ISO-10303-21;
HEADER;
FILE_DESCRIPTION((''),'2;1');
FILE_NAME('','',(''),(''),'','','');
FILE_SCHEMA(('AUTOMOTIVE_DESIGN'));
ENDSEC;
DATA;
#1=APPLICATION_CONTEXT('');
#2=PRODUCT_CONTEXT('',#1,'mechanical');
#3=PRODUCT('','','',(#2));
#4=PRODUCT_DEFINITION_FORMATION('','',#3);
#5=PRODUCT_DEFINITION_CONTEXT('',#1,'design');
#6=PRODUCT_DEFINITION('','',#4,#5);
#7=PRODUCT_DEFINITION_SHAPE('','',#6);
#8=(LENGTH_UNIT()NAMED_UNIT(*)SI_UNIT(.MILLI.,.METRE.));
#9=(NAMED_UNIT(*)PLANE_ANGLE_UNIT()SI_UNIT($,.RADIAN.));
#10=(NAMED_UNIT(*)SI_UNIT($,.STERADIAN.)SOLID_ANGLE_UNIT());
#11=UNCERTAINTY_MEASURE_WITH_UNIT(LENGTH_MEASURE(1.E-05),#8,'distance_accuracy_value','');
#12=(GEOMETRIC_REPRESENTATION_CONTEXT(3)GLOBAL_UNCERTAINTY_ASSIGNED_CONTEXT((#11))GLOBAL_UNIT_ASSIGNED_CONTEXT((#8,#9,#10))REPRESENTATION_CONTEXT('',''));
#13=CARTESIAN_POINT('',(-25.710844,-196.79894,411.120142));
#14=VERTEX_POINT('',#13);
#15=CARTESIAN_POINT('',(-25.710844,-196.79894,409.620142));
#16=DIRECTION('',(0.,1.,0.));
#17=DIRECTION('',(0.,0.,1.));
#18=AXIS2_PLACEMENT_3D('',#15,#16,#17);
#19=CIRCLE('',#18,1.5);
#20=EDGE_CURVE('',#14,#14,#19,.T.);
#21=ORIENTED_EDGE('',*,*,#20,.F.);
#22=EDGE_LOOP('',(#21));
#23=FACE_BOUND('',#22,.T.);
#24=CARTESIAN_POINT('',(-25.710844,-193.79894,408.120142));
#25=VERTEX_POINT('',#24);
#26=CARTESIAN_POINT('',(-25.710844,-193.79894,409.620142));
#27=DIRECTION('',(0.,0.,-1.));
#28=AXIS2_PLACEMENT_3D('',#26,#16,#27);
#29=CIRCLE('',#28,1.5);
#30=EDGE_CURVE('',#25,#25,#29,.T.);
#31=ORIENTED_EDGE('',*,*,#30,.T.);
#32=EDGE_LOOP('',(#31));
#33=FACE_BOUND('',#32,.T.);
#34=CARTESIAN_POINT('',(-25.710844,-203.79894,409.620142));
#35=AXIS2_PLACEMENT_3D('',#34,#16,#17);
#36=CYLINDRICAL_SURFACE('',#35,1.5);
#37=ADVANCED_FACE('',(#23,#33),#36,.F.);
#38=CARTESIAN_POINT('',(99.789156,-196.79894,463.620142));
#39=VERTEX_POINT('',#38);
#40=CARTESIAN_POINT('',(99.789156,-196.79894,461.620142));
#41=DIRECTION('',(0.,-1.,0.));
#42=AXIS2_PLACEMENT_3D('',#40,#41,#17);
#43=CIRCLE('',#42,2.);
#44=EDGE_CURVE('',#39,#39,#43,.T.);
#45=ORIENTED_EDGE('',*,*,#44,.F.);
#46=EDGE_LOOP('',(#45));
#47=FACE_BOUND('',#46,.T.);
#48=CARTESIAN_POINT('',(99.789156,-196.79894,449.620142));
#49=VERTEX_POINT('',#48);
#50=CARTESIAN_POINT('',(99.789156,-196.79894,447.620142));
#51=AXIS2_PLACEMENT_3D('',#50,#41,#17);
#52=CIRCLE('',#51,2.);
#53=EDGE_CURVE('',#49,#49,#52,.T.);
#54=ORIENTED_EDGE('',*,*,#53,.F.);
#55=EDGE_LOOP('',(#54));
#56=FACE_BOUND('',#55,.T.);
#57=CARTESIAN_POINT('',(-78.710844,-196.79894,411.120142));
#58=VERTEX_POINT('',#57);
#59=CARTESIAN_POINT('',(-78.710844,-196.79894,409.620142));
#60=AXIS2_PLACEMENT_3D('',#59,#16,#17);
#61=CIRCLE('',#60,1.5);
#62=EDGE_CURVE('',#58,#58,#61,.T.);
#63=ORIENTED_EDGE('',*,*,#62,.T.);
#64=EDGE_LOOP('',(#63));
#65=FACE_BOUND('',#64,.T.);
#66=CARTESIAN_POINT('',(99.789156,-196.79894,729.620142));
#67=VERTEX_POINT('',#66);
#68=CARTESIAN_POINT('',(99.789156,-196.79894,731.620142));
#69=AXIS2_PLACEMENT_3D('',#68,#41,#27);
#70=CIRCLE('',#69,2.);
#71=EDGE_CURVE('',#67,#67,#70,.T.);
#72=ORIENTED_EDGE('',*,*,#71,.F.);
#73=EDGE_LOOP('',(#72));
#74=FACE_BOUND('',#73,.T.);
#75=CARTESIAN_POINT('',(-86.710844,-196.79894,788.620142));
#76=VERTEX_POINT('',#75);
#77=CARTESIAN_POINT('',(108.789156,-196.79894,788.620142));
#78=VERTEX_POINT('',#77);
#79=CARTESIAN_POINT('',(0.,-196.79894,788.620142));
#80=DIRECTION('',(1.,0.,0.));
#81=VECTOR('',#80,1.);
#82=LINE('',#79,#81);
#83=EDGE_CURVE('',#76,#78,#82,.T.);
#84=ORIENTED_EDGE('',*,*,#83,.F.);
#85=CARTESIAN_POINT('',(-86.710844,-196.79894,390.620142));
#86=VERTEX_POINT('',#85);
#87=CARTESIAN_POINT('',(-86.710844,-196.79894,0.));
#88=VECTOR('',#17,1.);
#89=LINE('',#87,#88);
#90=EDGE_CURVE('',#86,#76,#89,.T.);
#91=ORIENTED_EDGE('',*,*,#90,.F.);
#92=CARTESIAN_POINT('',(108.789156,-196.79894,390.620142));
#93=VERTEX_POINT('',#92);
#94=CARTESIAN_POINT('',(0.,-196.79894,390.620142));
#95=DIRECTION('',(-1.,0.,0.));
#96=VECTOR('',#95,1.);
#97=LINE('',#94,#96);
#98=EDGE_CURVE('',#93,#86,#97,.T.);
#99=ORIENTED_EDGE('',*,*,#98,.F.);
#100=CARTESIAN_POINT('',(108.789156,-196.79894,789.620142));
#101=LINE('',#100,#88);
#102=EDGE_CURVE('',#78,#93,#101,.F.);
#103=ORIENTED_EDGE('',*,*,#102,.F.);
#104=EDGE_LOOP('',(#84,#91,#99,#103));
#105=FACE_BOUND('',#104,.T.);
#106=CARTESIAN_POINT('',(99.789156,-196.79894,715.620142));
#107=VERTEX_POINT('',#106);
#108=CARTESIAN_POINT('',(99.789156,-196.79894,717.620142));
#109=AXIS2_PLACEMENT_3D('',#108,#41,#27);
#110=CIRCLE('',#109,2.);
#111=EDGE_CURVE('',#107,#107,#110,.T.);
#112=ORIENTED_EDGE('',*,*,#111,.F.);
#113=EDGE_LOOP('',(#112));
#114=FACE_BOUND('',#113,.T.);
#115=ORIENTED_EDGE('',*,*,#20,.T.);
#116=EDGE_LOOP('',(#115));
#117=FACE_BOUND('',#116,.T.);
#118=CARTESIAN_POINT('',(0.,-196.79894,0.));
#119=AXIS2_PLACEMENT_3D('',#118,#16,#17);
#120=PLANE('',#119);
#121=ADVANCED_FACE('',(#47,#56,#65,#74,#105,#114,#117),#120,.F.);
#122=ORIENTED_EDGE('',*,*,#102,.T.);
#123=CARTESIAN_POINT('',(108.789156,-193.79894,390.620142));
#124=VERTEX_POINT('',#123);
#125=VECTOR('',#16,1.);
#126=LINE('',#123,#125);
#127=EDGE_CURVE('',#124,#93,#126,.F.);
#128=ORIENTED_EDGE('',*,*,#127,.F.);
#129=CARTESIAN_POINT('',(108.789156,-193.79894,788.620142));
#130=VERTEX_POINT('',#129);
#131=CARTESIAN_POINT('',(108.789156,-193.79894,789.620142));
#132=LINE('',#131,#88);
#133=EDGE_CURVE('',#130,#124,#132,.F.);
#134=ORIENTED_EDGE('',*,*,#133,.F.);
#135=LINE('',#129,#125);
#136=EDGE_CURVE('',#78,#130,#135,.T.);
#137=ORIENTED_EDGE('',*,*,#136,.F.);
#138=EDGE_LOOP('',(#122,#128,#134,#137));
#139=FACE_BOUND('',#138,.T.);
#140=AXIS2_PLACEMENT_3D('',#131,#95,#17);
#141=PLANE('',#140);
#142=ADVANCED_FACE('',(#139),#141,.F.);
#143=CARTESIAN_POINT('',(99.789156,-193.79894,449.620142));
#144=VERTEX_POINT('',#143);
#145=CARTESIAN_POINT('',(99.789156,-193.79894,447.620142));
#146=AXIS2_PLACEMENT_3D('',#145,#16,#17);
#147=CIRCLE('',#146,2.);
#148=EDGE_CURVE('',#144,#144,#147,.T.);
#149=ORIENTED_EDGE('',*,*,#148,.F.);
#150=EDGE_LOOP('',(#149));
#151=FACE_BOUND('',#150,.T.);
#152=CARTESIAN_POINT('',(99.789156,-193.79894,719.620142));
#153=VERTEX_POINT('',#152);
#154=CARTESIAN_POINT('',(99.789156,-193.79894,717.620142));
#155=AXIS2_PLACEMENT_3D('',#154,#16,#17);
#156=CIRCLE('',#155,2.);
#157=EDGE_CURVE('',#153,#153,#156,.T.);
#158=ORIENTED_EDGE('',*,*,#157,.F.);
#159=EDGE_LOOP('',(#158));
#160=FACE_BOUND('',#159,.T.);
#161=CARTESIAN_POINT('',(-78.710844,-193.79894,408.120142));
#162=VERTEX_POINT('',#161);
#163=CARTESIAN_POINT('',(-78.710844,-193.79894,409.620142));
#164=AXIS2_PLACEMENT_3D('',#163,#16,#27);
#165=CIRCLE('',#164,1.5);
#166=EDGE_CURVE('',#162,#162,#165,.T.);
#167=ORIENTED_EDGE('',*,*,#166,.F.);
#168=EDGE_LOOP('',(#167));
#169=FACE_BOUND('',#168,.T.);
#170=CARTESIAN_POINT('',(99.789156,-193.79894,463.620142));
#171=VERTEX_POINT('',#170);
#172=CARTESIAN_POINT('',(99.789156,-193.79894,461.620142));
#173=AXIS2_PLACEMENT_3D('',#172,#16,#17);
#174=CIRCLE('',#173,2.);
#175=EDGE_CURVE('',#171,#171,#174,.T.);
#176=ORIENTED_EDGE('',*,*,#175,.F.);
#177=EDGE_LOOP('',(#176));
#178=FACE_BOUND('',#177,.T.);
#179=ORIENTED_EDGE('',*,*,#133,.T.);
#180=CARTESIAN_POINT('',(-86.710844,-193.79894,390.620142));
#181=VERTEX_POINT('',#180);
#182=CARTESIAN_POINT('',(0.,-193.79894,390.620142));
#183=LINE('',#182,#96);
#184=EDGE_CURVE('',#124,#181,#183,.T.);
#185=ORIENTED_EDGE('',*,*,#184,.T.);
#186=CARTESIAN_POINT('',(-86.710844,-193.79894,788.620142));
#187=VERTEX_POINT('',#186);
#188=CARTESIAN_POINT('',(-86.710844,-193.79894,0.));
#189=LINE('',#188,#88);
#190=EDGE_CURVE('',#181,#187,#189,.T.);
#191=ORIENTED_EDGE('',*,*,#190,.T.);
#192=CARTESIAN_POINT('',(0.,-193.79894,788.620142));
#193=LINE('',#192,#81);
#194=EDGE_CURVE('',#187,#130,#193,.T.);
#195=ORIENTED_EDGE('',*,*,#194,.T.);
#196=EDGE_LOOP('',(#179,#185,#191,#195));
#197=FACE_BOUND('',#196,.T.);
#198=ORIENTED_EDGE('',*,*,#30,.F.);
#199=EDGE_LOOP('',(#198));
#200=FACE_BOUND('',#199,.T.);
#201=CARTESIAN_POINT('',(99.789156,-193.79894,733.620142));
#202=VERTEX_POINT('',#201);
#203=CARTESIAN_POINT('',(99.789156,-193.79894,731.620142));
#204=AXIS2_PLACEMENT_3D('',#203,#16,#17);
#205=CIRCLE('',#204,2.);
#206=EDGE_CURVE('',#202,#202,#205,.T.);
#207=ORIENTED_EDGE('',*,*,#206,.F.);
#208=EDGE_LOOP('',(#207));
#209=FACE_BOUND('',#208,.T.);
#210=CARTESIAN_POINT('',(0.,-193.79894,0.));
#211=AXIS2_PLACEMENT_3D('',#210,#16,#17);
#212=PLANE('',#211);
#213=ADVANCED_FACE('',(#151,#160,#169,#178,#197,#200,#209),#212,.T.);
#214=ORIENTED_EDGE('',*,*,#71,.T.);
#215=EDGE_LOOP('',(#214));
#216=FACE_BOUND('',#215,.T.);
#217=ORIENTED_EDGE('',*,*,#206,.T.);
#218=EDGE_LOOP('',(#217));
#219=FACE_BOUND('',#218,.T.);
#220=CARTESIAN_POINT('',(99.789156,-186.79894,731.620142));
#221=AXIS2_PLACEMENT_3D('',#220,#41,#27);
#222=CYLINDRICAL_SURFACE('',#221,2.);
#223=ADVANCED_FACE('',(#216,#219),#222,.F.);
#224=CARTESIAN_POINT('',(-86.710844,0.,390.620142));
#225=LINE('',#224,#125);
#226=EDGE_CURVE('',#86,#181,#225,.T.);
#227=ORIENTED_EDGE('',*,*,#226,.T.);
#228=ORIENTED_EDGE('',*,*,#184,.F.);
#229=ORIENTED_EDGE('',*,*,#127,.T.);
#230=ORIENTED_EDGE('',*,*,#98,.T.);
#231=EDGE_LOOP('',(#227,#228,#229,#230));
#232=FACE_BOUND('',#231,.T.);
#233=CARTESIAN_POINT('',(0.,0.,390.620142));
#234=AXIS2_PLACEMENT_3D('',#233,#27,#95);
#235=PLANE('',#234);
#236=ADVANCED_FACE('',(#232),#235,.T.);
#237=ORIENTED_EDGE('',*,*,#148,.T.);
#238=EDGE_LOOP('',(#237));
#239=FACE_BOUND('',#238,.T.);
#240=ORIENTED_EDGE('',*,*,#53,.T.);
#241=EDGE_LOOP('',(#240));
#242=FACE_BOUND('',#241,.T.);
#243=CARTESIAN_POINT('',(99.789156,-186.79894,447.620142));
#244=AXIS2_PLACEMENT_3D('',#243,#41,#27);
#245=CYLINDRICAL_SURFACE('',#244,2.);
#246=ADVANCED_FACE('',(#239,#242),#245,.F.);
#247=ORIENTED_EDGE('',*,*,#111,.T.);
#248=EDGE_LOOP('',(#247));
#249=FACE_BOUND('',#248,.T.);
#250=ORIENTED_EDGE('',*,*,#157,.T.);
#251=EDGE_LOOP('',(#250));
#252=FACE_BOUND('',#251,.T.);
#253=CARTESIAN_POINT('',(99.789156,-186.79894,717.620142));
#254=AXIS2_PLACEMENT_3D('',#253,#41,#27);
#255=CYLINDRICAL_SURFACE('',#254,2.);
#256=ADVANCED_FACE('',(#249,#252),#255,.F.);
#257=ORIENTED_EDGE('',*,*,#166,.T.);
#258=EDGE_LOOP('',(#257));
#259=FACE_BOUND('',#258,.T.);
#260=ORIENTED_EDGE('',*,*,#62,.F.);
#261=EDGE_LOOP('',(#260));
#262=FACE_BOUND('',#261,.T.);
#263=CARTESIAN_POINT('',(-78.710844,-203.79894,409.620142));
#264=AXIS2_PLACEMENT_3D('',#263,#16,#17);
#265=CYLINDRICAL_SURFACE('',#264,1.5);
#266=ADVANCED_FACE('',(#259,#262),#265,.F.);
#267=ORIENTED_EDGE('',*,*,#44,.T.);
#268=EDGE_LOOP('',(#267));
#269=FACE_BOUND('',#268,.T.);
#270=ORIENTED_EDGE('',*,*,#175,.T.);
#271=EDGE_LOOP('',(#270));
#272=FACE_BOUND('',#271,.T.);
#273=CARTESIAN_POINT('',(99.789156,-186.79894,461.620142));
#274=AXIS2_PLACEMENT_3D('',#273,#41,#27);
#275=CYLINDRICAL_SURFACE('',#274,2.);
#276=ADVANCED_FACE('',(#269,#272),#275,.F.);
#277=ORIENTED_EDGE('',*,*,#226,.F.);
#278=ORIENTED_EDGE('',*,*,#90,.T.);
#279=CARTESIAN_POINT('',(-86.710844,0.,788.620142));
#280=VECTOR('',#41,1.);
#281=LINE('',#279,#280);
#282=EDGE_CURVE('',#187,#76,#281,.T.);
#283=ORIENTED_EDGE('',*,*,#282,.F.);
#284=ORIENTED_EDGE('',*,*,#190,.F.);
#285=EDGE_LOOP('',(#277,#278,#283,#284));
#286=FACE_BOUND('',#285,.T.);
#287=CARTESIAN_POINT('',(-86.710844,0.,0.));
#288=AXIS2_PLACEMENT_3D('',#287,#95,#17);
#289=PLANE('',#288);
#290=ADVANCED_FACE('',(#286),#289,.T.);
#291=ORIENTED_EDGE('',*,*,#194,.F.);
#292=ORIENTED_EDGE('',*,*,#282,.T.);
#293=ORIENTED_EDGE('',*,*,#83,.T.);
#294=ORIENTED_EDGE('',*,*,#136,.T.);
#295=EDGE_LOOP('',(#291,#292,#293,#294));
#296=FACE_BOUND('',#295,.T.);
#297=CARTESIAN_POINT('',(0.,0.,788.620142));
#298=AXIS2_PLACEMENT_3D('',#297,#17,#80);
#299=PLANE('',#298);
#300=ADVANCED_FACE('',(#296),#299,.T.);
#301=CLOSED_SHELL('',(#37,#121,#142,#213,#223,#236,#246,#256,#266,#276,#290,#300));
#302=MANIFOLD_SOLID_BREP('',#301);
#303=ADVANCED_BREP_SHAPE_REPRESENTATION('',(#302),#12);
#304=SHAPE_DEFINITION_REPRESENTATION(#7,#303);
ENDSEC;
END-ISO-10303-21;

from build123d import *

# Parameters (mm, degrees)
SKETCH1_W           = 193
SKETCH1_H           = 400
BOSS_EXTRUDE1_DEPTH = 3
SKETCH2_R           = 1.5
CUT_EXTRUDE1_DEPTH  = 10
SKETCH3_R           = 2
CUT_EXTRUDE2_DEPTH  = 10
SKETCH4_W           = 248.590702278
SKETCH4_H           = 43.310012617
CUT_EXTRUDE3_DEPTH  = 1
SKETCH5_W           = 316.199587927
SKETCH5_H           = 81.961296772
CUT_EXTRUDE4_DEPTH  = 1
THICKEN1_T1         = 3
SKETCH6_W           = 457.051709452
SKETCH6_H           = 116.920204743
CUT_EXTRUDE5_DEPTH  = 0.5


with BuildPart() as part:
    # Sketch1 → Boss-Extrude1 (new body)
    with BuildSketch(Plane(origin=(0, -196.798939869, 0), x_dir=(1, 0, 0), z_dir=(0, 1, 0))):
        with Locations((9.289156386, -589.620141885)):
            Rectangle(SKETCH1_W, SKETCH1_H)
    extrude(amount=BOSS_EXTRUDE1_DEPTH)

    # Sketch2 → Cut-Extrude1 (cut)
    with BuildSketch(Plane(origin=(0, -193.798939869, 0), x_dir=(1, 0, 0), z_dir=(0, 1, 0))):
        with Locations(Location((-78.710843614, -409.620141885, 0), (0, 0, 270))):
            Circle(SKETCH2_R)
        with Locations(Location((-25.710843614, -409.620141885, 0), (0, 0, 270))):
            Circle(SKETCH2_R)
    extrude(amount=-CUT_EXTRUDE1_DEPTH, mode=Mode.SUBTRACT)

    # Sketch3 → Cut-Extrude2 (cut)
    with BuildSketch(Plane.XZ.offset(196.798939869)):
        with Locations(Location((99.789156386, 731.620141885, 0), (0, 0, 270))):
            Circle(SKETCH3_R)
        with Locations(Location((99.789156386, 717.620141885, 0), (0, 0, 270))):
            Circle(SKETCH3_R)
        with Locations(Location((99.789156386, 461.620141885, 0), (0, 0, 90))):
            Circle(SKETCH3_R)
        with Locations(Location((99.789156386, 447.620141885, 0), (0, 0, 90))):
            Circle(SKETCH3_R)
    extrude(amount=-CUT_EXTRUDE2_DEPTH, mode=Mode.SUBTRACT)

    # Sketch4 → Cut-Extrude3 (cut)
    with BuildSketch(Plane.XY.offset(789.620141885)):
        with Locations((-1.481434532, -204.805293431)):
            Rectangle(SKETCH4_W, SKETCH4_H)
    extrude(amount=-CUT_EXTRUDE3_DEPTH, mode=Mode.SUBTRACT)

    # Sketch5 → Cut-Extrude4 (cut)
    with BuildSketch(Plane(origin=(0, 0, 389.620141885), x_dir=(-1, 0, 0), z_dir=(0, 0, -1))):
        with Locations((-28.05964404, -177.05881152)):
            Rectangle(SKETCH5_W, SKETCH5_H)
    extrude(amount=-CUT_EXTRUDE4_DEPTH, mode=Mode.SUBTRACT)

    # Surface-Offset1: a surface, a copy of 1 face of the part
    surface_offset1_1 = part.part.faces().sort_by_distance((105.789156386, -195.298939869, 589.620141885))[0]
    add(Solid.thicken(surface_offset1_1, THICKEN1_T1))

    # Sketch6 → Cut-Extrude5 (cut)
    with BuildSketch(Plane.ZY.offset(87.210843614)):
        with Locations((584.748466687, -192.863102271)):
            Rectangle(SKETCH6_W, SKETCH6_H)
    extrude(amount=-CUT_EXTRUDE5_DEPTH, mode=Mode.SUBTRACT)


solid = part.part
